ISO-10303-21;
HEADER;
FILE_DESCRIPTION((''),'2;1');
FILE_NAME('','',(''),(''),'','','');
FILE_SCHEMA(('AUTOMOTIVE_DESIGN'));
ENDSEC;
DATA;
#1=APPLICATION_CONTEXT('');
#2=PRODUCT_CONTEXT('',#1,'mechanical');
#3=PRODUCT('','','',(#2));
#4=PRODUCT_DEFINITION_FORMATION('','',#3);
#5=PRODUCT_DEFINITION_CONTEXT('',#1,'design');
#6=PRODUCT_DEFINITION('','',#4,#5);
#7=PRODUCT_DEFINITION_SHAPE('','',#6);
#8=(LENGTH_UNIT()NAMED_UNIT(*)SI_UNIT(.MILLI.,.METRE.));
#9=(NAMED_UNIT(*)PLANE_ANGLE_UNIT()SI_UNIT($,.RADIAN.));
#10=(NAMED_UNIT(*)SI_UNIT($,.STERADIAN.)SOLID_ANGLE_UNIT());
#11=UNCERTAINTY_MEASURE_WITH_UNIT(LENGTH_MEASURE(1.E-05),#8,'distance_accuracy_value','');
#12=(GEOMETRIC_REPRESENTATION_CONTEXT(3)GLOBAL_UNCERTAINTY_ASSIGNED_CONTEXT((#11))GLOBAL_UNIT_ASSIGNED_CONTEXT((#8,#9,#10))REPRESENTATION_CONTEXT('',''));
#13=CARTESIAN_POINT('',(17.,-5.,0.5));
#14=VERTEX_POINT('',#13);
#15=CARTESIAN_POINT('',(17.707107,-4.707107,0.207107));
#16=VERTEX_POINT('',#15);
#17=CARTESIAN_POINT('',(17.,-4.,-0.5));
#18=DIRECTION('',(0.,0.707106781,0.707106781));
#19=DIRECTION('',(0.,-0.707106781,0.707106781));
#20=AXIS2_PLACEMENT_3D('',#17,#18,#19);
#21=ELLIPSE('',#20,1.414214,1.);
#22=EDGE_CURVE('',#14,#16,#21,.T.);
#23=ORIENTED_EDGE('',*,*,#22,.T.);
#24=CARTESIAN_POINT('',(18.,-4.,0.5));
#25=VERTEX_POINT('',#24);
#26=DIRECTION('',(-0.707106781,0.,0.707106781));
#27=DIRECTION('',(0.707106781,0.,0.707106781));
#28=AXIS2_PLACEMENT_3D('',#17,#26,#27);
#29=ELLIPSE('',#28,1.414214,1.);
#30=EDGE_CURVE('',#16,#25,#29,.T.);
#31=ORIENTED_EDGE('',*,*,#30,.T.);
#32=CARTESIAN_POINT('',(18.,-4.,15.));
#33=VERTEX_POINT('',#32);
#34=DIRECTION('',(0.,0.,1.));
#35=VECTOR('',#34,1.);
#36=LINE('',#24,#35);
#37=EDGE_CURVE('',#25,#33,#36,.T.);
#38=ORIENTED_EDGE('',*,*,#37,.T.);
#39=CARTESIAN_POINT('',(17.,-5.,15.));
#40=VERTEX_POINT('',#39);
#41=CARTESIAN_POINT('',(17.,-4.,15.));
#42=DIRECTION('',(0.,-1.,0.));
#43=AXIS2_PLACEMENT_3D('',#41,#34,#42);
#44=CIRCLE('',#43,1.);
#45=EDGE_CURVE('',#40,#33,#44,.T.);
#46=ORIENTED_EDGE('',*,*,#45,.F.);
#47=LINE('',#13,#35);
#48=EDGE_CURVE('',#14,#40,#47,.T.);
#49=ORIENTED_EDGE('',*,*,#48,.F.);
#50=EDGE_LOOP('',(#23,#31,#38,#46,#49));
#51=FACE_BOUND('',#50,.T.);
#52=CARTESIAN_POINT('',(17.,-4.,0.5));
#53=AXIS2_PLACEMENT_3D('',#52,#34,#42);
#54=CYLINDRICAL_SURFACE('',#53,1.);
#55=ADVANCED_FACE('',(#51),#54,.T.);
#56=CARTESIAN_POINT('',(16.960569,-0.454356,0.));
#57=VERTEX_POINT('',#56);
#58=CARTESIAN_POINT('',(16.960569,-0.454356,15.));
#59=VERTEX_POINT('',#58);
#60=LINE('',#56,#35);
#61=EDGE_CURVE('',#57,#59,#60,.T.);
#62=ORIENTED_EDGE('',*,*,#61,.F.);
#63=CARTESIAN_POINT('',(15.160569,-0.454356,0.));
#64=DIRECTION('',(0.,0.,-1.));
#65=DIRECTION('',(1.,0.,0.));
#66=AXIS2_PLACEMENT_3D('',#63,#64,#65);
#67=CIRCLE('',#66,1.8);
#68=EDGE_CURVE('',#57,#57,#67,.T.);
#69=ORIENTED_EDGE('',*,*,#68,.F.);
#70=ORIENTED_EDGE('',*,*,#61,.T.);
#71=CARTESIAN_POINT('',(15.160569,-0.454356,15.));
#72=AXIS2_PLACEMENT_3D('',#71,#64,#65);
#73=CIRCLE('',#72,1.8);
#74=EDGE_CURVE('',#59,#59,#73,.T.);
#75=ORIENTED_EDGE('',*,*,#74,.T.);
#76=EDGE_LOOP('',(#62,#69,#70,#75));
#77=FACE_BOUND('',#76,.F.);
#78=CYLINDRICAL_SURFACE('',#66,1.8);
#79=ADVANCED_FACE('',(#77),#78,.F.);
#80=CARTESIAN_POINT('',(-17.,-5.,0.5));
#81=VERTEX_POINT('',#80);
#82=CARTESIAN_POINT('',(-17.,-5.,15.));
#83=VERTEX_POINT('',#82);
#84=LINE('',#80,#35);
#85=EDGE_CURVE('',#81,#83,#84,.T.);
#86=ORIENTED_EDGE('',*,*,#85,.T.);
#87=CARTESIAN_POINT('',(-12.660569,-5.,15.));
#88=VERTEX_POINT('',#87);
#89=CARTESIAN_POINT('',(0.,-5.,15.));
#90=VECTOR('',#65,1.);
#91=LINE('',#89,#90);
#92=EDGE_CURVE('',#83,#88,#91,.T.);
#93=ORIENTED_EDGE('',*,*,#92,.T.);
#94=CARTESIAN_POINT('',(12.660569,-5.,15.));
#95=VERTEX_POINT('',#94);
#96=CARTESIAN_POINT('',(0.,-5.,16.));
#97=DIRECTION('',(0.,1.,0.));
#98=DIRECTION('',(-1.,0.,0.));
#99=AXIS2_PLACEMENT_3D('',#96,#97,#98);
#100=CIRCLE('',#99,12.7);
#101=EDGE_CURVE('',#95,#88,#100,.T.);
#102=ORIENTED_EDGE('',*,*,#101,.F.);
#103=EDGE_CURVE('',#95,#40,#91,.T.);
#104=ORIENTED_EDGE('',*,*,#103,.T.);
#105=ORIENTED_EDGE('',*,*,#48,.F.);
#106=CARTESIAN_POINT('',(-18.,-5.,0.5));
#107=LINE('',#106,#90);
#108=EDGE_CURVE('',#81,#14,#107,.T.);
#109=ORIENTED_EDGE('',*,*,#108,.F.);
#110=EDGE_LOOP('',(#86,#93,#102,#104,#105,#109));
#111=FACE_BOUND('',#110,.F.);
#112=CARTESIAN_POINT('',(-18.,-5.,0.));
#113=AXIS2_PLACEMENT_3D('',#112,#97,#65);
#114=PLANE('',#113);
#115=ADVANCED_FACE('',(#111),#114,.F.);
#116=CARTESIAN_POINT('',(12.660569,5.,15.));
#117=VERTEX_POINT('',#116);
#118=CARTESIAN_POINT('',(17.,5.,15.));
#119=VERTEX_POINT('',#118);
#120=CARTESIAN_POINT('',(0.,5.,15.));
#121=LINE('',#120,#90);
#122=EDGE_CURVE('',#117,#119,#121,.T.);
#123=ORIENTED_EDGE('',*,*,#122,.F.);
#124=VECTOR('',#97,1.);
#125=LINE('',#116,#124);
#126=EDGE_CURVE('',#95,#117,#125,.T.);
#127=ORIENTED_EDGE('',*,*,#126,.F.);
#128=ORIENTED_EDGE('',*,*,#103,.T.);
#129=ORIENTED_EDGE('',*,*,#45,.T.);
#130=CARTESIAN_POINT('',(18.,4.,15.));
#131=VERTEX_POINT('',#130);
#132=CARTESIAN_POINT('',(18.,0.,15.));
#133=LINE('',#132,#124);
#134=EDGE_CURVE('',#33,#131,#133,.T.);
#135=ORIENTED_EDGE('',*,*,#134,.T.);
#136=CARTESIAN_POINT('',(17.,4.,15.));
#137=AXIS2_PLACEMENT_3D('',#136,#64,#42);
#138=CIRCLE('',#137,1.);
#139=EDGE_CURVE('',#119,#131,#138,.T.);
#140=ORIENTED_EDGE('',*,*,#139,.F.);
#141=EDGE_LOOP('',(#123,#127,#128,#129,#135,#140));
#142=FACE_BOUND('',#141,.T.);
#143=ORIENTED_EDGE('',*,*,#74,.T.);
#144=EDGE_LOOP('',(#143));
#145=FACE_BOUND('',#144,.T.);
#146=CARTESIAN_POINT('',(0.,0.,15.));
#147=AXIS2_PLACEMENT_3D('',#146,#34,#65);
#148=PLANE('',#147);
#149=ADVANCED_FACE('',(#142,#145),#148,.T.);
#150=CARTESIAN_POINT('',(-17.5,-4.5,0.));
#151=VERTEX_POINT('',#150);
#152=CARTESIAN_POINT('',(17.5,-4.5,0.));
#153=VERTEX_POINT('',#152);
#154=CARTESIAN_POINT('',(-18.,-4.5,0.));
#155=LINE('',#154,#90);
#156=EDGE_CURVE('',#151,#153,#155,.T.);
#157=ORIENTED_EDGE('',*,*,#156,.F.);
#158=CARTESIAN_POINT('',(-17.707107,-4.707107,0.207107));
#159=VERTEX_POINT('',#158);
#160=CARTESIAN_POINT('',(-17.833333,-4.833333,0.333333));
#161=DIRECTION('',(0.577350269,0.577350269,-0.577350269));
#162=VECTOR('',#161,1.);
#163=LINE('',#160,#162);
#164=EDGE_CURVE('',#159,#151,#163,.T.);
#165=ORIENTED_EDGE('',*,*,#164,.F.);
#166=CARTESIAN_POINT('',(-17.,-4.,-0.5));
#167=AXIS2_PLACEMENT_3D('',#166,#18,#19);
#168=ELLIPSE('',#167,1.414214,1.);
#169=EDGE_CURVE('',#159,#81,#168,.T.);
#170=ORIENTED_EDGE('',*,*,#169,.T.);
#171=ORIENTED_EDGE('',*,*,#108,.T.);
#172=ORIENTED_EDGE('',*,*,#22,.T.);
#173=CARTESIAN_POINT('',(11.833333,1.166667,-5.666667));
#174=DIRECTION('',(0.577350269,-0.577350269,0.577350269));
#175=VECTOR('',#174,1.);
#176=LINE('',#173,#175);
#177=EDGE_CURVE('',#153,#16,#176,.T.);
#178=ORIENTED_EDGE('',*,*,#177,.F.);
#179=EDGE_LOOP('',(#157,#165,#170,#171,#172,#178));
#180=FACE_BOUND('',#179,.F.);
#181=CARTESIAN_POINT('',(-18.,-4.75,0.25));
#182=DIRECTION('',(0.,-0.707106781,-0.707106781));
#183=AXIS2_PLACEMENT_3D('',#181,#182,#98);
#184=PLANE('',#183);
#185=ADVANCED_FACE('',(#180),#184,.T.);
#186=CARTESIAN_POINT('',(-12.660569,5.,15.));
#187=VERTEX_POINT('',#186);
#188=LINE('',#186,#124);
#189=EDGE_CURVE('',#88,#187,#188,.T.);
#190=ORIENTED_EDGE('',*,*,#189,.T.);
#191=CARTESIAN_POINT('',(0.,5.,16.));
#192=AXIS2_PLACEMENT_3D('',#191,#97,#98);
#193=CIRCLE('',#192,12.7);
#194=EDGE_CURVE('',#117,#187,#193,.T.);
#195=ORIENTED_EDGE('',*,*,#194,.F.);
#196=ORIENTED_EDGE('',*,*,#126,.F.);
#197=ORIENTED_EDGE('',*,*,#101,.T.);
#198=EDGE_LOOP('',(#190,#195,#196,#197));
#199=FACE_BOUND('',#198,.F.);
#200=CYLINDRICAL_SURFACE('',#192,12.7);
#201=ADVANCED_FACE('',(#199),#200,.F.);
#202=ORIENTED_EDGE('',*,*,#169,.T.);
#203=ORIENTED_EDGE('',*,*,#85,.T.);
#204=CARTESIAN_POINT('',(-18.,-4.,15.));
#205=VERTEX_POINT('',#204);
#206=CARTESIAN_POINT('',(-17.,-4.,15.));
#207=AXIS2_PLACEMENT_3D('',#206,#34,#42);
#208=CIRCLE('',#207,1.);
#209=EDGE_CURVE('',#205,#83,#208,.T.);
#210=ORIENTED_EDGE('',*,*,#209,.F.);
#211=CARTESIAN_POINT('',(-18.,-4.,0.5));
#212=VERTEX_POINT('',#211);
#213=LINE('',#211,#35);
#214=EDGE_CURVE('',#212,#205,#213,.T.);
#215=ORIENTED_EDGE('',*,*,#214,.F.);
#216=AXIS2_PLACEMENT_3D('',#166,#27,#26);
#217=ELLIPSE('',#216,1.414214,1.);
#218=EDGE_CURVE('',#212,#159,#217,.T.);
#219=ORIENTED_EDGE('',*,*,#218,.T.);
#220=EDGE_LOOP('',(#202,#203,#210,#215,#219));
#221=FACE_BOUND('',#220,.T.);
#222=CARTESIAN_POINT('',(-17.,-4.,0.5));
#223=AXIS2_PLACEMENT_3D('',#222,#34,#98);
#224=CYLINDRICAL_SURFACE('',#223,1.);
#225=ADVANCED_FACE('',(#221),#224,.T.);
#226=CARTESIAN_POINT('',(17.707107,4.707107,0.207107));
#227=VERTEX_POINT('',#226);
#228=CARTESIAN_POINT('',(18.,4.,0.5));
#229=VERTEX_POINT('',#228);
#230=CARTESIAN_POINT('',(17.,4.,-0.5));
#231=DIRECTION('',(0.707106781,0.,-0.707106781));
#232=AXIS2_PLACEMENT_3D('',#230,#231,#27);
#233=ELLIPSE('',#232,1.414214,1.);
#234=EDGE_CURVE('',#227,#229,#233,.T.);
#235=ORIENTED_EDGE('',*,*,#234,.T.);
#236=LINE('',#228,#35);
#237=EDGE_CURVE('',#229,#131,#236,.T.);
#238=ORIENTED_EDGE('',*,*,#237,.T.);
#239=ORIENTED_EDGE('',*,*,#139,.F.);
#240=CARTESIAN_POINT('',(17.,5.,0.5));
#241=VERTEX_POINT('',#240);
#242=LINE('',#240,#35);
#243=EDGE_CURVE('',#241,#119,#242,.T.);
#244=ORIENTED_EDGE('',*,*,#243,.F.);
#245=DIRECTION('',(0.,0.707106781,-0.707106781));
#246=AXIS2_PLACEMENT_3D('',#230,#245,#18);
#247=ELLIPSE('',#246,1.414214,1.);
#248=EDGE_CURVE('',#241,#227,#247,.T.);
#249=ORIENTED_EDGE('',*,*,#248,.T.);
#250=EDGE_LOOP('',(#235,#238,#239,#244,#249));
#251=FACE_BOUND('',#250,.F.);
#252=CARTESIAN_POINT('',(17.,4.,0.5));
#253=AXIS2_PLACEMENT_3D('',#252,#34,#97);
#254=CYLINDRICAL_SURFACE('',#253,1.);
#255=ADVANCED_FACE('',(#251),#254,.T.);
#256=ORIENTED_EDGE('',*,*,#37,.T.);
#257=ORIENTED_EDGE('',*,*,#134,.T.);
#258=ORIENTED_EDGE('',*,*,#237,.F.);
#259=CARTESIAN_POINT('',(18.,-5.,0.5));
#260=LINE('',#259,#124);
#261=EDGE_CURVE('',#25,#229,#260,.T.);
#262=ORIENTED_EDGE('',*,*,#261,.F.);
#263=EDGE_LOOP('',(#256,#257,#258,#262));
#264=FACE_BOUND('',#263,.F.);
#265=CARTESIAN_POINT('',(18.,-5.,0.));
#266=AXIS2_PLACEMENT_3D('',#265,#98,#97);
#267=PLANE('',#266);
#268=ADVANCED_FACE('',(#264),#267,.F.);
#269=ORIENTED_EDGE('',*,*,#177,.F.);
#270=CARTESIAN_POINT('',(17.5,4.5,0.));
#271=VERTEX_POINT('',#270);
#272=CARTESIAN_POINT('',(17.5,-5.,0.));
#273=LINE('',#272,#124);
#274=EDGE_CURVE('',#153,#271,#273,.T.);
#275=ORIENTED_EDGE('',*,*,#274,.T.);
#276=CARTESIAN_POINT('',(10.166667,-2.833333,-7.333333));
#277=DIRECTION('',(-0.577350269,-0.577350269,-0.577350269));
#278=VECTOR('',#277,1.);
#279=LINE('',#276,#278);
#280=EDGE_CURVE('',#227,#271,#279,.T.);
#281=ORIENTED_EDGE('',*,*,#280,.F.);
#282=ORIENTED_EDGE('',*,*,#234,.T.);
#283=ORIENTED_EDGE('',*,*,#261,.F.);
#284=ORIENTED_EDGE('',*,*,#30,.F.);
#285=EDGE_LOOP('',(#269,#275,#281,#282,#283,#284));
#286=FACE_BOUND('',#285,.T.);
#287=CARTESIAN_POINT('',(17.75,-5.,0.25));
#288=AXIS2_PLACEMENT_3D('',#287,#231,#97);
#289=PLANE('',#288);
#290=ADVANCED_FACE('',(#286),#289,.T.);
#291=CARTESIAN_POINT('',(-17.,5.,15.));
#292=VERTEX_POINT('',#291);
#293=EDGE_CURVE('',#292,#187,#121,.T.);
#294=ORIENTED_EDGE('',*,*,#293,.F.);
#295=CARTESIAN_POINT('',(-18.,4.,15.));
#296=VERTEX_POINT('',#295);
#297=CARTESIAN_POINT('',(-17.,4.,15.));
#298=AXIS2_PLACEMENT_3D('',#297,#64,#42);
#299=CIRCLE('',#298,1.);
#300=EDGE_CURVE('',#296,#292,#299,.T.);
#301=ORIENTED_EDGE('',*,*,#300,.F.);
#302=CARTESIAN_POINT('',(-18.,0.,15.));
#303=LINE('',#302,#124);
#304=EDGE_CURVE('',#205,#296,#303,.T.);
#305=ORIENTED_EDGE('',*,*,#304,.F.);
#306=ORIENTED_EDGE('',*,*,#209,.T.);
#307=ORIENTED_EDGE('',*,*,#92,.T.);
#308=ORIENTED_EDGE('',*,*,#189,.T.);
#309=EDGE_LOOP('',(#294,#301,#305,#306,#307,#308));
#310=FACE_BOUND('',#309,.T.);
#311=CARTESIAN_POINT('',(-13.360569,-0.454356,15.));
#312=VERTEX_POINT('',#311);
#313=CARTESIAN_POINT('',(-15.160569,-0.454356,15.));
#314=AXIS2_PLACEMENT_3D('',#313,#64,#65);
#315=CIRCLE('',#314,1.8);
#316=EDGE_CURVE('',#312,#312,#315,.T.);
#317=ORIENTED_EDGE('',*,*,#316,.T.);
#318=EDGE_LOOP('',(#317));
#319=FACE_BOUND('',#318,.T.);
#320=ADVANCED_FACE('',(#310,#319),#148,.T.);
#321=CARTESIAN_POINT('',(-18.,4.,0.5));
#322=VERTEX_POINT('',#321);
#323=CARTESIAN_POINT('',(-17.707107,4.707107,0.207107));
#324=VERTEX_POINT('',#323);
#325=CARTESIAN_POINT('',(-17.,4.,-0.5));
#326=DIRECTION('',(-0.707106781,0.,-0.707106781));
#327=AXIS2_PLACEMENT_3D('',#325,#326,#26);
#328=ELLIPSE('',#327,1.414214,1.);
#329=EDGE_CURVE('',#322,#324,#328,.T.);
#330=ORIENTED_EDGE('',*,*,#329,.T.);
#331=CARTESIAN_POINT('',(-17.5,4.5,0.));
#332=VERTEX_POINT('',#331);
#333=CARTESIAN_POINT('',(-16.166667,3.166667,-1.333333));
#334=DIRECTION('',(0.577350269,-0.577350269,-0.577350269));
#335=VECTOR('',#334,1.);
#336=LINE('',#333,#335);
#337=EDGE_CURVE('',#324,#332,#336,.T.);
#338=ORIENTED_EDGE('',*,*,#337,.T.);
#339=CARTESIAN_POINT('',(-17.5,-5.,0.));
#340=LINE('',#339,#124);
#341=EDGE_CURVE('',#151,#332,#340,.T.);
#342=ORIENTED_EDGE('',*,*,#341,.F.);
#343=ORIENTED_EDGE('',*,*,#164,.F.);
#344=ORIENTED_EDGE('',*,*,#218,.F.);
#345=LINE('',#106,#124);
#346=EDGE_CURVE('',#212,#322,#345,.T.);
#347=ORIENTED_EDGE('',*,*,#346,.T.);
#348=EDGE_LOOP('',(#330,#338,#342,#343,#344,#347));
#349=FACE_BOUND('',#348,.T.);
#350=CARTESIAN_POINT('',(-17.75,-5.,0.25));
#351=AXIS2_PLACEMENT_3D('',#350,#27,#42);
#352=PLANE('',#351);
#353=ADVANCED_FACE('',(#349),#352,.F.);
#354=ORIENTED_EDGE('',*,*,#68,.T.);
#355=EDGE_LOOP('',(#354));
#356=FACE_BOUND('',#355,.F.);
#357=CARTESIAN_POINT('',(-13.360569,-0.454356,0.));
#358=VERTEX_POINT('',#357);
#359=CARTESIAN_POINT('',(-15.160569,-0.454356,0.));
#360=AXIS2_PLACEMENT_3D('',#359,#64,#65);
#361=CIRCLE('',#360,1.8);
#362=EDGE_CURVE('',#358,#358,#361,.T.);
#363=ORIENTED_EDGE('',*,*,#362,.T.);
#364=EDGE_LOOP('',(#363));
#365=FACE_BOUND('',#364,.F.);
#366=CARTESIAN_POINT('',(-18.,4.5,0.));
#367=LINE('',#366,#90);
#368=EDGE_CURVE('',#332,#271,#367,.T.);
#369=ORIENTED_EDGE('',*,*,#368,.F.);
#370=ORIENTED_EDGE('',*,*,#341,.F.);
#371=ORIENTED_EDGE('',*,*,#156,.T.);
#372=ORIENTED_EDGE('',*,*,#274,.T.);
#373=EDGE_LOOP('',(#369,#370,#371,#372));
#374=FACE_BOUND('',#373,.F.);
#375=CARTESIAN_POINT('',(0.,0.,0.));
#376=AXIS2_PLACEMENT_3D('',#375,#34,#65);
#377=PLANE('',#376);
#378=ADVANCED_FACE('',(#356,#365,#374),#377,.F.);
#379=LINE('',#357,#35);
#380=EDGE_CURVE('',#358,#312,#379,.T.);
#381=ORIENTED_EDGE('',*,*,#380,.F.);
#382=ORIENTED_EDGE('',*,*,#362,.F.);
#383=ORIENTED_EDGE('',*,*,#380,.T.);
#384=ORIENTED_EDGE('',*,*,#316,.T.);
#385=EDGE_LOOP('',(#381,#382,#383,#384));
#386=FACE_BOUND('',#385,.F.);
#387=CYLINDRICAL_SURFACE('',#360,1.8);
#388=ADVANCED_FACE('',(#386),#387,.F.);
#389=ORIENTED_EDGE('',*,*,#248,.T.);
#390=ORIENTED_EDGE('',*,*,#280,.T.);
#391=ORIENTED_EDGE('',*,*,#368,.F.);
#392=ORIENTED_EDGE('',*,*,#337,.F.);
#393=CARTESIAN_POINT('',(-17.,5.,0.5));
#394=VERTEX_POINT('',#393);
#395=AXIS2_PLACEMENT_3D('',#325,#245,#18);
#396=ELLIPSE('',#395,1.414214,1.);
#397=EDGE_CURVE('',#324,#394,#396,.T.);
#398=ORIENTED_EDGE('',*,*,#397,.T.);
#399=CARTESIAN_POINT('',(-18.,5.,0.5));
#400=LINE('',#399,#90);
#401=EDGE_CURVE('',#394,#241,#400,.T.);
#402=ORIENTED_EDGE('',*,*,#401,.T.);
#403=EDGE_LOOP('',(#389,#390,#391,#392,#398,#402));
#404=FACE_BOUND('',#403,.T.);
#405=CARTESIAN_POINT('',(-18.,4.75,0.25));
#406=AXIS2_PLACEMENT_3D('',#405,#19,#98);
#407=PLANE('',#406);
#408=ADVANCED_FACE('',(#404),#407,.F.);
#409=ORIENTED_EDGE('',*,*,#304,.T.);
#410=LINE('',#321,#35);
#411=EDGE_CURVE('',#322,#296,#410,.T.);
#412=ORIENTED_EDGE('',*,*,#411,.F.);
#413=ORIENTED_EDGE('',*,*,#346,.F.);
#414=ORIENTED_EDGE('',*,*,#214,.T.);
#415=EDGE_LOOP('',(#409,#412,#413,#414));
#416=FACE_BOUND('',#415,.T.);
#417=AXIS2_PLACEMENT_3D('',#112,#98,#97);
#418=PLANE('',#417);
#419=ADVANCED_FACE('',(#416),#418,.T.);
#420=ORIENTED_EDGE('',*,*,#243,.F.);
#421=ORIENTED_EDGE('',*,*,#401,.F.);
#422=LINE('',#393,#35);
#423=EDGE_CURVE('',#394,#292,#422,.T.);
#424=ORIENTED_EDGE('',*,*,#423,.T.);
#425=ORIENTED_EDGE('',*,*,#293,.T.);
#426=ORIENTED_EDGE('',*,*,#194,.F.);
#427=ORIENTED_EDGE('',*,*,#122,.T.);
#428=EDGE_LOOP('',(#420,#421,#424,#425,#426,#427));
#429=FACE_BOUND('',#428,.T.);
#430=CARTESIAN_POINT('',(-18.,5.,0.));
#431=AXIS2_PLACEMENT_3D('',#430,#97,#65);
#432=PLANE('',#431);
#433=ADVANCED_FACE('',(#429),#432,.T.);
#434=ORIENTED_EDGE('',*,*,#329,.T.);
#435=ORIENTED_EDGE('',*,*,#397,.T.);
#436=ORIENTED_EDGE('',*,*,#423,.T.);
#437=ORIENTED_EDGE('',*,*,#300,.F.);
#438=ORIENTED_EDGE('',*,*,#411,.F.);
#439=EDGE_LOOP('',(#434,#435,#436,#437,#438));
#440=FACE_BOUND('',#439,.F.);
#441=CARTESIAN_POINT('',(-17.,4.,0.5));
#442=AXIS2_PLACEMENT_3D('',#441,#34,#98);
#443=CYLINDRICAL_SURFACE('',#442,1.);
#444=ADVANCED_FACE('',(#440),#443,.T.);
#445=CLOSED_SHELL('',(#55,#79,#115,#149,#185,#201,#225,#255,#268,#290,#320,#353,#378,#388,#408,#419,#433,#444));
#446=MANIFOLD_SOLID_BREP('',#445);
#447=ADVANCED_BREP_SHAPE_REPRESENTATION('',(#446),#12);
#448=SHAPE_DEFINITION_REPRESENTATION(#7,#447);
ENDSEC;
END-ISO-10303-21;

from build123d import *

# Parameters (mm, degrees)
SKETCH_W        = 36
SKETCH_H        = 10
PAD_DEPTH       = 15
SKETCH004_R     = 12.7
POCKET_DEPTH    = 10.001
CHAMFER_SIZE    = 0.5
SKETCH005_R     = 1.8
POCKET001_DEPTH = 15.001
FILLET_R        = 1


with BuildPart() as part:
    # Sketch → Pad (new body)
    with BuildSketch(Plane.XY):
        Rectangle(SKETCH_W, SKETCH_H)
    extrude(amount=PAD_DEPTH)

    # Sketch004 → Pocket (cut, through all)
    with BuildSketch(Plane(origin=(0, 5, 0), x_dir=(-1, 0, 0), z_dir=(0, 1, 0))):
        with Locations((0, 16)):
            Circle(SKETCH004_R)
    extrude(amount=-POCKET_DEPTH, mode=Mode.SUBTRACT)

    # Chamfer
    chamfer_edges = [part.edges().sort_by_distance(p)[0] for p in [
        (0, 5, 0),
        (18, 0, 0),
        (0, -5, 0),
        (-18, 0, 0),
    ]]
    chamfer(chamfer_edges, length=CHAMFER_SIZE)

    # Sketch005 → Pocket001 (cut, through all)
    with BuildSketch(Plane(origin=(0, 0, 0), x_dir=(1, 0, 0), z_dir=(0, 0, -1))):
        with Locations((15.160569, 0.454356)):
            Circle(SKETCH005_R)
        with Locations((-15.160569, 0.454356)):
            Circle(SKETCH005_R)
    extrude(amount=-POCKET001_DEPTH, mode=Mode.SUBTRACT)

    # Fillet
    fillet_edges = [part.edges().sort_by_distance(p)[0] for p in [
        (-18, -5, 7.75),
        (18, -5, 7.75),
        (18, 5, 7.75),
        (-18, 5, 7.75),
    ]]
    fillet(fillet_edges, radius=FILLET_R)


solid = part.part
